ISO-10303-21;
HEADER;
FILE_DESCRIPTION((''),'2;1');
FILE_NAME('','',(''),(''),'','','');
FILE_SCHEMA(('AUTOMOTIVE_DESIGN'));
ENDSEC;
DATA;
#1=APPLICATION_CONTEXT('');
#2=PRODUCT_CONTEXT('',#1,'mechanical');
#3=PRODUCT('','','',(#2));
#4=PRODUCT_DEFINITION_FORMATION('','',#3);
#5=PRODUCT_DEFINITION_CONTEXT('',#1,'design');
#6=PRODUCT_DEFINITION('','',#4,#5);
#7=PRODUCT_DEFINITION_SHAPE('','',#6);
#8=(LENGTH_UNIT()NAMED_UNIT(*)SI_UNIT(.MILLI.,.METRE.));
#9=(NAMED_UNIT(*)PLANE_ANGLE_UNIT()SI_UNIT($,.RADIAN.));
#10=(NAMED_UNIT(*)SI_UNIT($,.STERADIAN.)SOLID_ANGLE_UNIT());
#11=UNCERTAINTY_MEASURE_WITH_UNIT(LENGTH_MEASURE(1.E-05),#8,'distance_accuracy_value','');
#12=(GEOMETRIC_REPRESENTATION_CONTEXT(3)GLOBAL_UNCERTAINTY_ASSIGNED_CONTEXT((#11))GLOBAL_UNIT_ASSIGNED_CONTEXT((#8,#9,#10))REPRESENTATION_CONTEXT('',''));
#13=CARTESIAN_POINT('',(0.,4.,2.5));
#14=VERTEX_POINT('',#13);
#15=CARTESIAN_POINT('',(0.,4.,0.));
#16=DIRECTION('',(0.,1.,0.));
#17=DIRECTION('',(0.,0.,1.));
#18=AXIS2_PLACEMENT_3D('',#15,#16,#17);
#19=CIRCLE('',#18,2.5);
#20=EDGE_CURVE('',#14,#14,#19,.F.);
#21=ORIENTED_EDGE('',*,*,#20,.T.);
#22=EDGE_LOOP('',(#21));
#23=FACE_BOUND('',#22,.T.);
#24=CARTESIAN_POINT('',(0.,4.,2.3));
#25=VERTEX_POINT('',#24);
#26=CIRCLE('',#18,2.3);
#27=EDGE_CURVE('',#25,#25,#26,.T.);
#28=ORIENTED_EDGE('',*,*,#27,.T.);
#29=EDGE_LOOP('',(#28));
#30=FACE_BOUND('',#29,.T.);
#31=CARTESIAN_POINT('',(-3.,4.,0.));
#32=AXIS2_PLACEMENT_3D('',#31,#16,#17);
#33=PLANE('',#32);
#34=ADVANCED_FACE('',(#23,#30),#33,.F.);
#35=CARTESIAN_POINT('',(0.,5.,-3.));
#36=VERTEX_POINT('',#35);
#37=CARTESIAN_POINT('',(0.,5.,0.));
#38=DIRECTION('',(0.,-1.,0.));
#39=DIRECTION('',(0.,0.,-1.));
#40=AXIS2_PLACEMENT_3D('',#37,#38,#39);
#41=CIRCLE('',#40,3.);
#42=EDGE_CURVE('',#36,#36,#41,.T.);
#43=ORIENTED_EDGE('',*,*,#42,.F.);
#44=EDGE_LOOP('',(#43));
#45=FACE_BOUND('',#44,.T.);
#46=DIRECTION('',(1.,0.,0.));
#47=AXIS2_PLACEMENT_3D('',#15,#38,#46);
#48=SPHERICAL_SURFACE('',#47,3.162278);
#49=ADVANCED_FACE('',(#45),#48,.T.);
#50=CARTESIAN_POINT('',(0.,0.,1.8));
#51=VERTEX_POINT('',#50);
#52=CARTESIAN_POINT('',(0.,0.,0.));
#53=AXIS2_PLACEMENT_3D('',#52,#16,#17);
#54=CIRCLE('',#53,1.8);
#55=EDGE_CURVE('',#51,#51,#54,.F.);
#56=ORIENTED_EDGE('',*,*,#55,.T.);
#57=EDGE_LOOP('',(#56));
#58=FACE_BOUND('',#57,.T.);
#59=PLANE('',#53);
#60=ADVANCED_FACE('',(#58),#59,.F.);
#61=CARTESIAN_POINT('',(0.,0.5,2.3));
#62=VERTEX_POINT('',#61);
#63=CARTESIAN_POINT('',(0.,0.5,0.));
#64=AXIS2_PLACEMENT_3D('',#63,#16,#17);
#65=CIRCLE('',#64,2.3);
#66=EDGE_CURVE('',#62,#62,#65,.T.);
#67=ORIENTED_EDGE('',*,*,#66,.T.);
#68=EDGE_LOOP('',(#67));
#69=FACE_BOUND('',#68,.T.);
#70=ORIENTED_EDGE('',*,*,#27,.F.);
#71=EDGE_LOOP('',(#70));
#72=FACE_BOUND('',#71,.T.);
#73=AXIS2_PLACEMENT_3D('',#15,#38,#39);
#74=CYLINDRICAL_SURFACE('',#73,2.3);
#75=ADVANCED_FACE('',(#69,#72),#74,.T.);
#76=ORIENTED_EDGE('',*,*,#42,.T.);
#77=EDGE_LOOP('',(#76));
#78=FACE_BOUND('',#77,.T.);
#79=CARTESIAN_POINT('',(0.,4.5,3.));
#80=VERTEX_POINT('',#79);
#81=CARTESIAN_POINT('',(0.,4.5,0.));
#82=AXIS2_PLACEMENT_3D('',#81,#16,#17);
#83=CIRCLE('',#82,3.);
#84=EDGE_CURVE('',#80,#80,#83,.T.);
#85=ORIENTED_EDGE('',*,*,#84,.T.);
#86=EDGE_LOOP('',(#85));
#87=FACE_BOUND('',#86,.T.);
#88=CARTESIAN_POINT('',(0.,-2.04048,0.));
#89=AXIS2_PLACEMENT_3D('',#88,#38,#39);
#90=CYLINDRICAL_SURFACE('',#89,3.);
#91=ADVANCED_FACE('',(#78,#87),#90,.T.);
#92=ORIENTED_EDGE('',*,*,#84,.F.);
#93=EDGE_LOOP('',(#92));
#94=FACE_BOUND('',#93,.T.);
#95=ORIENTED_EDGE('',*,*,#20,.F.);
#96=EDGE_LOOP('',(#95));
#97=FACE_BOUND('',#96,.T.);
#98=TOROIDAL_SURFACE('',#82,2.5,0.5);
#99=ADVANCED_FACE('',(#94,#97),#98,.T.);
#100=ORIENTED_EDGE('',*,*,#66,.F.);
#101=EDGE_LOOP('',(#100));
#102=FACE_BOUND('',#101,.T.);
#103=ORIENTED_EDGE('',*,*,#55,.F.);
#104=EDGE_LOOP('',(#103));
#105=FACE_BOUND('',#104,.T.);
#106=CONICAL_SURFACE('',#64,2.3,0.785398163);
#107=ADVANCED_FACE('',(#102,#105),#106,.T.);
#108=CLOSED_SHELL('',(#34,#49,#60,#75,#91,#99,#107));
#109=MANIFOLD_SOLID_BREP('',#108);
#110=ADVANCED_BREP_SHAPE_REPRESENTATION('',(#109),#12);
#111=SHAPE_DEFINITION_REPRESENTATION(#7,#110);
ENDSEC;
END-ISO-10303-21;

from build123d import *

# Parameters (mm, degrees)
SKETCH1_R           = 2.3
BOSS_EXTRUDE1_DEPTH = 4
FILLET1_R           = 0.5
CHAMFER1_SIZE       = 0.5


with BuildPart() as part:
    # Sketch1 → Boss-Extrude1 (new body)
    with BuildSketch(Plane(origin=(0, 0, 0), x_dir=(1, 0, 0), z_dir=(0, 1, 0))):
        with Locations(Location((0, 0, 0), (0, 0, 270))):
            Circle(SKETCH1_R)
    extrude(amount=BOSS_EXTRUDE1_DEPTH)

    # Sketch2 → Revolve1 (revolve)
    with BuildSketch(Plane.XY, mode=Mode.PRIVATE) as revolve1_sk:
        with BuildLine():
            Line((-3, 5), (-3, 4))
            Line((-3, 4), (0, 4))
            Line((0, 4), (0, 7.16227766))
            ThreePointArc((0, 7.16227766), (-1.849016271, 6.565373039), (-3, 5))
        make_face()
    revolve(revolve1_sk.sketch.rotate(Axis((0, -2.040480146, 0), (0, 1, 0)), 180), axis=Axis((0, -2.040480146, 0), (0, 1, 0)))

    # Fillet1
    fillet1_edges = [part.edges().sort_by_distance(p)[0] for p in [
        (-3, 4, 0),
    ]]
    fillet(fillet1_edges, radius=FILLET1_R)

    # Chamfer1
    chamfer1_edges = [part.edges().sort_by_distance(p)[0] for p in [
        (0, 0, -2.3),
    ]]
    chamfer(chamfer1_edges, length=CHAMFER1_SIZE)


solid = part.part
